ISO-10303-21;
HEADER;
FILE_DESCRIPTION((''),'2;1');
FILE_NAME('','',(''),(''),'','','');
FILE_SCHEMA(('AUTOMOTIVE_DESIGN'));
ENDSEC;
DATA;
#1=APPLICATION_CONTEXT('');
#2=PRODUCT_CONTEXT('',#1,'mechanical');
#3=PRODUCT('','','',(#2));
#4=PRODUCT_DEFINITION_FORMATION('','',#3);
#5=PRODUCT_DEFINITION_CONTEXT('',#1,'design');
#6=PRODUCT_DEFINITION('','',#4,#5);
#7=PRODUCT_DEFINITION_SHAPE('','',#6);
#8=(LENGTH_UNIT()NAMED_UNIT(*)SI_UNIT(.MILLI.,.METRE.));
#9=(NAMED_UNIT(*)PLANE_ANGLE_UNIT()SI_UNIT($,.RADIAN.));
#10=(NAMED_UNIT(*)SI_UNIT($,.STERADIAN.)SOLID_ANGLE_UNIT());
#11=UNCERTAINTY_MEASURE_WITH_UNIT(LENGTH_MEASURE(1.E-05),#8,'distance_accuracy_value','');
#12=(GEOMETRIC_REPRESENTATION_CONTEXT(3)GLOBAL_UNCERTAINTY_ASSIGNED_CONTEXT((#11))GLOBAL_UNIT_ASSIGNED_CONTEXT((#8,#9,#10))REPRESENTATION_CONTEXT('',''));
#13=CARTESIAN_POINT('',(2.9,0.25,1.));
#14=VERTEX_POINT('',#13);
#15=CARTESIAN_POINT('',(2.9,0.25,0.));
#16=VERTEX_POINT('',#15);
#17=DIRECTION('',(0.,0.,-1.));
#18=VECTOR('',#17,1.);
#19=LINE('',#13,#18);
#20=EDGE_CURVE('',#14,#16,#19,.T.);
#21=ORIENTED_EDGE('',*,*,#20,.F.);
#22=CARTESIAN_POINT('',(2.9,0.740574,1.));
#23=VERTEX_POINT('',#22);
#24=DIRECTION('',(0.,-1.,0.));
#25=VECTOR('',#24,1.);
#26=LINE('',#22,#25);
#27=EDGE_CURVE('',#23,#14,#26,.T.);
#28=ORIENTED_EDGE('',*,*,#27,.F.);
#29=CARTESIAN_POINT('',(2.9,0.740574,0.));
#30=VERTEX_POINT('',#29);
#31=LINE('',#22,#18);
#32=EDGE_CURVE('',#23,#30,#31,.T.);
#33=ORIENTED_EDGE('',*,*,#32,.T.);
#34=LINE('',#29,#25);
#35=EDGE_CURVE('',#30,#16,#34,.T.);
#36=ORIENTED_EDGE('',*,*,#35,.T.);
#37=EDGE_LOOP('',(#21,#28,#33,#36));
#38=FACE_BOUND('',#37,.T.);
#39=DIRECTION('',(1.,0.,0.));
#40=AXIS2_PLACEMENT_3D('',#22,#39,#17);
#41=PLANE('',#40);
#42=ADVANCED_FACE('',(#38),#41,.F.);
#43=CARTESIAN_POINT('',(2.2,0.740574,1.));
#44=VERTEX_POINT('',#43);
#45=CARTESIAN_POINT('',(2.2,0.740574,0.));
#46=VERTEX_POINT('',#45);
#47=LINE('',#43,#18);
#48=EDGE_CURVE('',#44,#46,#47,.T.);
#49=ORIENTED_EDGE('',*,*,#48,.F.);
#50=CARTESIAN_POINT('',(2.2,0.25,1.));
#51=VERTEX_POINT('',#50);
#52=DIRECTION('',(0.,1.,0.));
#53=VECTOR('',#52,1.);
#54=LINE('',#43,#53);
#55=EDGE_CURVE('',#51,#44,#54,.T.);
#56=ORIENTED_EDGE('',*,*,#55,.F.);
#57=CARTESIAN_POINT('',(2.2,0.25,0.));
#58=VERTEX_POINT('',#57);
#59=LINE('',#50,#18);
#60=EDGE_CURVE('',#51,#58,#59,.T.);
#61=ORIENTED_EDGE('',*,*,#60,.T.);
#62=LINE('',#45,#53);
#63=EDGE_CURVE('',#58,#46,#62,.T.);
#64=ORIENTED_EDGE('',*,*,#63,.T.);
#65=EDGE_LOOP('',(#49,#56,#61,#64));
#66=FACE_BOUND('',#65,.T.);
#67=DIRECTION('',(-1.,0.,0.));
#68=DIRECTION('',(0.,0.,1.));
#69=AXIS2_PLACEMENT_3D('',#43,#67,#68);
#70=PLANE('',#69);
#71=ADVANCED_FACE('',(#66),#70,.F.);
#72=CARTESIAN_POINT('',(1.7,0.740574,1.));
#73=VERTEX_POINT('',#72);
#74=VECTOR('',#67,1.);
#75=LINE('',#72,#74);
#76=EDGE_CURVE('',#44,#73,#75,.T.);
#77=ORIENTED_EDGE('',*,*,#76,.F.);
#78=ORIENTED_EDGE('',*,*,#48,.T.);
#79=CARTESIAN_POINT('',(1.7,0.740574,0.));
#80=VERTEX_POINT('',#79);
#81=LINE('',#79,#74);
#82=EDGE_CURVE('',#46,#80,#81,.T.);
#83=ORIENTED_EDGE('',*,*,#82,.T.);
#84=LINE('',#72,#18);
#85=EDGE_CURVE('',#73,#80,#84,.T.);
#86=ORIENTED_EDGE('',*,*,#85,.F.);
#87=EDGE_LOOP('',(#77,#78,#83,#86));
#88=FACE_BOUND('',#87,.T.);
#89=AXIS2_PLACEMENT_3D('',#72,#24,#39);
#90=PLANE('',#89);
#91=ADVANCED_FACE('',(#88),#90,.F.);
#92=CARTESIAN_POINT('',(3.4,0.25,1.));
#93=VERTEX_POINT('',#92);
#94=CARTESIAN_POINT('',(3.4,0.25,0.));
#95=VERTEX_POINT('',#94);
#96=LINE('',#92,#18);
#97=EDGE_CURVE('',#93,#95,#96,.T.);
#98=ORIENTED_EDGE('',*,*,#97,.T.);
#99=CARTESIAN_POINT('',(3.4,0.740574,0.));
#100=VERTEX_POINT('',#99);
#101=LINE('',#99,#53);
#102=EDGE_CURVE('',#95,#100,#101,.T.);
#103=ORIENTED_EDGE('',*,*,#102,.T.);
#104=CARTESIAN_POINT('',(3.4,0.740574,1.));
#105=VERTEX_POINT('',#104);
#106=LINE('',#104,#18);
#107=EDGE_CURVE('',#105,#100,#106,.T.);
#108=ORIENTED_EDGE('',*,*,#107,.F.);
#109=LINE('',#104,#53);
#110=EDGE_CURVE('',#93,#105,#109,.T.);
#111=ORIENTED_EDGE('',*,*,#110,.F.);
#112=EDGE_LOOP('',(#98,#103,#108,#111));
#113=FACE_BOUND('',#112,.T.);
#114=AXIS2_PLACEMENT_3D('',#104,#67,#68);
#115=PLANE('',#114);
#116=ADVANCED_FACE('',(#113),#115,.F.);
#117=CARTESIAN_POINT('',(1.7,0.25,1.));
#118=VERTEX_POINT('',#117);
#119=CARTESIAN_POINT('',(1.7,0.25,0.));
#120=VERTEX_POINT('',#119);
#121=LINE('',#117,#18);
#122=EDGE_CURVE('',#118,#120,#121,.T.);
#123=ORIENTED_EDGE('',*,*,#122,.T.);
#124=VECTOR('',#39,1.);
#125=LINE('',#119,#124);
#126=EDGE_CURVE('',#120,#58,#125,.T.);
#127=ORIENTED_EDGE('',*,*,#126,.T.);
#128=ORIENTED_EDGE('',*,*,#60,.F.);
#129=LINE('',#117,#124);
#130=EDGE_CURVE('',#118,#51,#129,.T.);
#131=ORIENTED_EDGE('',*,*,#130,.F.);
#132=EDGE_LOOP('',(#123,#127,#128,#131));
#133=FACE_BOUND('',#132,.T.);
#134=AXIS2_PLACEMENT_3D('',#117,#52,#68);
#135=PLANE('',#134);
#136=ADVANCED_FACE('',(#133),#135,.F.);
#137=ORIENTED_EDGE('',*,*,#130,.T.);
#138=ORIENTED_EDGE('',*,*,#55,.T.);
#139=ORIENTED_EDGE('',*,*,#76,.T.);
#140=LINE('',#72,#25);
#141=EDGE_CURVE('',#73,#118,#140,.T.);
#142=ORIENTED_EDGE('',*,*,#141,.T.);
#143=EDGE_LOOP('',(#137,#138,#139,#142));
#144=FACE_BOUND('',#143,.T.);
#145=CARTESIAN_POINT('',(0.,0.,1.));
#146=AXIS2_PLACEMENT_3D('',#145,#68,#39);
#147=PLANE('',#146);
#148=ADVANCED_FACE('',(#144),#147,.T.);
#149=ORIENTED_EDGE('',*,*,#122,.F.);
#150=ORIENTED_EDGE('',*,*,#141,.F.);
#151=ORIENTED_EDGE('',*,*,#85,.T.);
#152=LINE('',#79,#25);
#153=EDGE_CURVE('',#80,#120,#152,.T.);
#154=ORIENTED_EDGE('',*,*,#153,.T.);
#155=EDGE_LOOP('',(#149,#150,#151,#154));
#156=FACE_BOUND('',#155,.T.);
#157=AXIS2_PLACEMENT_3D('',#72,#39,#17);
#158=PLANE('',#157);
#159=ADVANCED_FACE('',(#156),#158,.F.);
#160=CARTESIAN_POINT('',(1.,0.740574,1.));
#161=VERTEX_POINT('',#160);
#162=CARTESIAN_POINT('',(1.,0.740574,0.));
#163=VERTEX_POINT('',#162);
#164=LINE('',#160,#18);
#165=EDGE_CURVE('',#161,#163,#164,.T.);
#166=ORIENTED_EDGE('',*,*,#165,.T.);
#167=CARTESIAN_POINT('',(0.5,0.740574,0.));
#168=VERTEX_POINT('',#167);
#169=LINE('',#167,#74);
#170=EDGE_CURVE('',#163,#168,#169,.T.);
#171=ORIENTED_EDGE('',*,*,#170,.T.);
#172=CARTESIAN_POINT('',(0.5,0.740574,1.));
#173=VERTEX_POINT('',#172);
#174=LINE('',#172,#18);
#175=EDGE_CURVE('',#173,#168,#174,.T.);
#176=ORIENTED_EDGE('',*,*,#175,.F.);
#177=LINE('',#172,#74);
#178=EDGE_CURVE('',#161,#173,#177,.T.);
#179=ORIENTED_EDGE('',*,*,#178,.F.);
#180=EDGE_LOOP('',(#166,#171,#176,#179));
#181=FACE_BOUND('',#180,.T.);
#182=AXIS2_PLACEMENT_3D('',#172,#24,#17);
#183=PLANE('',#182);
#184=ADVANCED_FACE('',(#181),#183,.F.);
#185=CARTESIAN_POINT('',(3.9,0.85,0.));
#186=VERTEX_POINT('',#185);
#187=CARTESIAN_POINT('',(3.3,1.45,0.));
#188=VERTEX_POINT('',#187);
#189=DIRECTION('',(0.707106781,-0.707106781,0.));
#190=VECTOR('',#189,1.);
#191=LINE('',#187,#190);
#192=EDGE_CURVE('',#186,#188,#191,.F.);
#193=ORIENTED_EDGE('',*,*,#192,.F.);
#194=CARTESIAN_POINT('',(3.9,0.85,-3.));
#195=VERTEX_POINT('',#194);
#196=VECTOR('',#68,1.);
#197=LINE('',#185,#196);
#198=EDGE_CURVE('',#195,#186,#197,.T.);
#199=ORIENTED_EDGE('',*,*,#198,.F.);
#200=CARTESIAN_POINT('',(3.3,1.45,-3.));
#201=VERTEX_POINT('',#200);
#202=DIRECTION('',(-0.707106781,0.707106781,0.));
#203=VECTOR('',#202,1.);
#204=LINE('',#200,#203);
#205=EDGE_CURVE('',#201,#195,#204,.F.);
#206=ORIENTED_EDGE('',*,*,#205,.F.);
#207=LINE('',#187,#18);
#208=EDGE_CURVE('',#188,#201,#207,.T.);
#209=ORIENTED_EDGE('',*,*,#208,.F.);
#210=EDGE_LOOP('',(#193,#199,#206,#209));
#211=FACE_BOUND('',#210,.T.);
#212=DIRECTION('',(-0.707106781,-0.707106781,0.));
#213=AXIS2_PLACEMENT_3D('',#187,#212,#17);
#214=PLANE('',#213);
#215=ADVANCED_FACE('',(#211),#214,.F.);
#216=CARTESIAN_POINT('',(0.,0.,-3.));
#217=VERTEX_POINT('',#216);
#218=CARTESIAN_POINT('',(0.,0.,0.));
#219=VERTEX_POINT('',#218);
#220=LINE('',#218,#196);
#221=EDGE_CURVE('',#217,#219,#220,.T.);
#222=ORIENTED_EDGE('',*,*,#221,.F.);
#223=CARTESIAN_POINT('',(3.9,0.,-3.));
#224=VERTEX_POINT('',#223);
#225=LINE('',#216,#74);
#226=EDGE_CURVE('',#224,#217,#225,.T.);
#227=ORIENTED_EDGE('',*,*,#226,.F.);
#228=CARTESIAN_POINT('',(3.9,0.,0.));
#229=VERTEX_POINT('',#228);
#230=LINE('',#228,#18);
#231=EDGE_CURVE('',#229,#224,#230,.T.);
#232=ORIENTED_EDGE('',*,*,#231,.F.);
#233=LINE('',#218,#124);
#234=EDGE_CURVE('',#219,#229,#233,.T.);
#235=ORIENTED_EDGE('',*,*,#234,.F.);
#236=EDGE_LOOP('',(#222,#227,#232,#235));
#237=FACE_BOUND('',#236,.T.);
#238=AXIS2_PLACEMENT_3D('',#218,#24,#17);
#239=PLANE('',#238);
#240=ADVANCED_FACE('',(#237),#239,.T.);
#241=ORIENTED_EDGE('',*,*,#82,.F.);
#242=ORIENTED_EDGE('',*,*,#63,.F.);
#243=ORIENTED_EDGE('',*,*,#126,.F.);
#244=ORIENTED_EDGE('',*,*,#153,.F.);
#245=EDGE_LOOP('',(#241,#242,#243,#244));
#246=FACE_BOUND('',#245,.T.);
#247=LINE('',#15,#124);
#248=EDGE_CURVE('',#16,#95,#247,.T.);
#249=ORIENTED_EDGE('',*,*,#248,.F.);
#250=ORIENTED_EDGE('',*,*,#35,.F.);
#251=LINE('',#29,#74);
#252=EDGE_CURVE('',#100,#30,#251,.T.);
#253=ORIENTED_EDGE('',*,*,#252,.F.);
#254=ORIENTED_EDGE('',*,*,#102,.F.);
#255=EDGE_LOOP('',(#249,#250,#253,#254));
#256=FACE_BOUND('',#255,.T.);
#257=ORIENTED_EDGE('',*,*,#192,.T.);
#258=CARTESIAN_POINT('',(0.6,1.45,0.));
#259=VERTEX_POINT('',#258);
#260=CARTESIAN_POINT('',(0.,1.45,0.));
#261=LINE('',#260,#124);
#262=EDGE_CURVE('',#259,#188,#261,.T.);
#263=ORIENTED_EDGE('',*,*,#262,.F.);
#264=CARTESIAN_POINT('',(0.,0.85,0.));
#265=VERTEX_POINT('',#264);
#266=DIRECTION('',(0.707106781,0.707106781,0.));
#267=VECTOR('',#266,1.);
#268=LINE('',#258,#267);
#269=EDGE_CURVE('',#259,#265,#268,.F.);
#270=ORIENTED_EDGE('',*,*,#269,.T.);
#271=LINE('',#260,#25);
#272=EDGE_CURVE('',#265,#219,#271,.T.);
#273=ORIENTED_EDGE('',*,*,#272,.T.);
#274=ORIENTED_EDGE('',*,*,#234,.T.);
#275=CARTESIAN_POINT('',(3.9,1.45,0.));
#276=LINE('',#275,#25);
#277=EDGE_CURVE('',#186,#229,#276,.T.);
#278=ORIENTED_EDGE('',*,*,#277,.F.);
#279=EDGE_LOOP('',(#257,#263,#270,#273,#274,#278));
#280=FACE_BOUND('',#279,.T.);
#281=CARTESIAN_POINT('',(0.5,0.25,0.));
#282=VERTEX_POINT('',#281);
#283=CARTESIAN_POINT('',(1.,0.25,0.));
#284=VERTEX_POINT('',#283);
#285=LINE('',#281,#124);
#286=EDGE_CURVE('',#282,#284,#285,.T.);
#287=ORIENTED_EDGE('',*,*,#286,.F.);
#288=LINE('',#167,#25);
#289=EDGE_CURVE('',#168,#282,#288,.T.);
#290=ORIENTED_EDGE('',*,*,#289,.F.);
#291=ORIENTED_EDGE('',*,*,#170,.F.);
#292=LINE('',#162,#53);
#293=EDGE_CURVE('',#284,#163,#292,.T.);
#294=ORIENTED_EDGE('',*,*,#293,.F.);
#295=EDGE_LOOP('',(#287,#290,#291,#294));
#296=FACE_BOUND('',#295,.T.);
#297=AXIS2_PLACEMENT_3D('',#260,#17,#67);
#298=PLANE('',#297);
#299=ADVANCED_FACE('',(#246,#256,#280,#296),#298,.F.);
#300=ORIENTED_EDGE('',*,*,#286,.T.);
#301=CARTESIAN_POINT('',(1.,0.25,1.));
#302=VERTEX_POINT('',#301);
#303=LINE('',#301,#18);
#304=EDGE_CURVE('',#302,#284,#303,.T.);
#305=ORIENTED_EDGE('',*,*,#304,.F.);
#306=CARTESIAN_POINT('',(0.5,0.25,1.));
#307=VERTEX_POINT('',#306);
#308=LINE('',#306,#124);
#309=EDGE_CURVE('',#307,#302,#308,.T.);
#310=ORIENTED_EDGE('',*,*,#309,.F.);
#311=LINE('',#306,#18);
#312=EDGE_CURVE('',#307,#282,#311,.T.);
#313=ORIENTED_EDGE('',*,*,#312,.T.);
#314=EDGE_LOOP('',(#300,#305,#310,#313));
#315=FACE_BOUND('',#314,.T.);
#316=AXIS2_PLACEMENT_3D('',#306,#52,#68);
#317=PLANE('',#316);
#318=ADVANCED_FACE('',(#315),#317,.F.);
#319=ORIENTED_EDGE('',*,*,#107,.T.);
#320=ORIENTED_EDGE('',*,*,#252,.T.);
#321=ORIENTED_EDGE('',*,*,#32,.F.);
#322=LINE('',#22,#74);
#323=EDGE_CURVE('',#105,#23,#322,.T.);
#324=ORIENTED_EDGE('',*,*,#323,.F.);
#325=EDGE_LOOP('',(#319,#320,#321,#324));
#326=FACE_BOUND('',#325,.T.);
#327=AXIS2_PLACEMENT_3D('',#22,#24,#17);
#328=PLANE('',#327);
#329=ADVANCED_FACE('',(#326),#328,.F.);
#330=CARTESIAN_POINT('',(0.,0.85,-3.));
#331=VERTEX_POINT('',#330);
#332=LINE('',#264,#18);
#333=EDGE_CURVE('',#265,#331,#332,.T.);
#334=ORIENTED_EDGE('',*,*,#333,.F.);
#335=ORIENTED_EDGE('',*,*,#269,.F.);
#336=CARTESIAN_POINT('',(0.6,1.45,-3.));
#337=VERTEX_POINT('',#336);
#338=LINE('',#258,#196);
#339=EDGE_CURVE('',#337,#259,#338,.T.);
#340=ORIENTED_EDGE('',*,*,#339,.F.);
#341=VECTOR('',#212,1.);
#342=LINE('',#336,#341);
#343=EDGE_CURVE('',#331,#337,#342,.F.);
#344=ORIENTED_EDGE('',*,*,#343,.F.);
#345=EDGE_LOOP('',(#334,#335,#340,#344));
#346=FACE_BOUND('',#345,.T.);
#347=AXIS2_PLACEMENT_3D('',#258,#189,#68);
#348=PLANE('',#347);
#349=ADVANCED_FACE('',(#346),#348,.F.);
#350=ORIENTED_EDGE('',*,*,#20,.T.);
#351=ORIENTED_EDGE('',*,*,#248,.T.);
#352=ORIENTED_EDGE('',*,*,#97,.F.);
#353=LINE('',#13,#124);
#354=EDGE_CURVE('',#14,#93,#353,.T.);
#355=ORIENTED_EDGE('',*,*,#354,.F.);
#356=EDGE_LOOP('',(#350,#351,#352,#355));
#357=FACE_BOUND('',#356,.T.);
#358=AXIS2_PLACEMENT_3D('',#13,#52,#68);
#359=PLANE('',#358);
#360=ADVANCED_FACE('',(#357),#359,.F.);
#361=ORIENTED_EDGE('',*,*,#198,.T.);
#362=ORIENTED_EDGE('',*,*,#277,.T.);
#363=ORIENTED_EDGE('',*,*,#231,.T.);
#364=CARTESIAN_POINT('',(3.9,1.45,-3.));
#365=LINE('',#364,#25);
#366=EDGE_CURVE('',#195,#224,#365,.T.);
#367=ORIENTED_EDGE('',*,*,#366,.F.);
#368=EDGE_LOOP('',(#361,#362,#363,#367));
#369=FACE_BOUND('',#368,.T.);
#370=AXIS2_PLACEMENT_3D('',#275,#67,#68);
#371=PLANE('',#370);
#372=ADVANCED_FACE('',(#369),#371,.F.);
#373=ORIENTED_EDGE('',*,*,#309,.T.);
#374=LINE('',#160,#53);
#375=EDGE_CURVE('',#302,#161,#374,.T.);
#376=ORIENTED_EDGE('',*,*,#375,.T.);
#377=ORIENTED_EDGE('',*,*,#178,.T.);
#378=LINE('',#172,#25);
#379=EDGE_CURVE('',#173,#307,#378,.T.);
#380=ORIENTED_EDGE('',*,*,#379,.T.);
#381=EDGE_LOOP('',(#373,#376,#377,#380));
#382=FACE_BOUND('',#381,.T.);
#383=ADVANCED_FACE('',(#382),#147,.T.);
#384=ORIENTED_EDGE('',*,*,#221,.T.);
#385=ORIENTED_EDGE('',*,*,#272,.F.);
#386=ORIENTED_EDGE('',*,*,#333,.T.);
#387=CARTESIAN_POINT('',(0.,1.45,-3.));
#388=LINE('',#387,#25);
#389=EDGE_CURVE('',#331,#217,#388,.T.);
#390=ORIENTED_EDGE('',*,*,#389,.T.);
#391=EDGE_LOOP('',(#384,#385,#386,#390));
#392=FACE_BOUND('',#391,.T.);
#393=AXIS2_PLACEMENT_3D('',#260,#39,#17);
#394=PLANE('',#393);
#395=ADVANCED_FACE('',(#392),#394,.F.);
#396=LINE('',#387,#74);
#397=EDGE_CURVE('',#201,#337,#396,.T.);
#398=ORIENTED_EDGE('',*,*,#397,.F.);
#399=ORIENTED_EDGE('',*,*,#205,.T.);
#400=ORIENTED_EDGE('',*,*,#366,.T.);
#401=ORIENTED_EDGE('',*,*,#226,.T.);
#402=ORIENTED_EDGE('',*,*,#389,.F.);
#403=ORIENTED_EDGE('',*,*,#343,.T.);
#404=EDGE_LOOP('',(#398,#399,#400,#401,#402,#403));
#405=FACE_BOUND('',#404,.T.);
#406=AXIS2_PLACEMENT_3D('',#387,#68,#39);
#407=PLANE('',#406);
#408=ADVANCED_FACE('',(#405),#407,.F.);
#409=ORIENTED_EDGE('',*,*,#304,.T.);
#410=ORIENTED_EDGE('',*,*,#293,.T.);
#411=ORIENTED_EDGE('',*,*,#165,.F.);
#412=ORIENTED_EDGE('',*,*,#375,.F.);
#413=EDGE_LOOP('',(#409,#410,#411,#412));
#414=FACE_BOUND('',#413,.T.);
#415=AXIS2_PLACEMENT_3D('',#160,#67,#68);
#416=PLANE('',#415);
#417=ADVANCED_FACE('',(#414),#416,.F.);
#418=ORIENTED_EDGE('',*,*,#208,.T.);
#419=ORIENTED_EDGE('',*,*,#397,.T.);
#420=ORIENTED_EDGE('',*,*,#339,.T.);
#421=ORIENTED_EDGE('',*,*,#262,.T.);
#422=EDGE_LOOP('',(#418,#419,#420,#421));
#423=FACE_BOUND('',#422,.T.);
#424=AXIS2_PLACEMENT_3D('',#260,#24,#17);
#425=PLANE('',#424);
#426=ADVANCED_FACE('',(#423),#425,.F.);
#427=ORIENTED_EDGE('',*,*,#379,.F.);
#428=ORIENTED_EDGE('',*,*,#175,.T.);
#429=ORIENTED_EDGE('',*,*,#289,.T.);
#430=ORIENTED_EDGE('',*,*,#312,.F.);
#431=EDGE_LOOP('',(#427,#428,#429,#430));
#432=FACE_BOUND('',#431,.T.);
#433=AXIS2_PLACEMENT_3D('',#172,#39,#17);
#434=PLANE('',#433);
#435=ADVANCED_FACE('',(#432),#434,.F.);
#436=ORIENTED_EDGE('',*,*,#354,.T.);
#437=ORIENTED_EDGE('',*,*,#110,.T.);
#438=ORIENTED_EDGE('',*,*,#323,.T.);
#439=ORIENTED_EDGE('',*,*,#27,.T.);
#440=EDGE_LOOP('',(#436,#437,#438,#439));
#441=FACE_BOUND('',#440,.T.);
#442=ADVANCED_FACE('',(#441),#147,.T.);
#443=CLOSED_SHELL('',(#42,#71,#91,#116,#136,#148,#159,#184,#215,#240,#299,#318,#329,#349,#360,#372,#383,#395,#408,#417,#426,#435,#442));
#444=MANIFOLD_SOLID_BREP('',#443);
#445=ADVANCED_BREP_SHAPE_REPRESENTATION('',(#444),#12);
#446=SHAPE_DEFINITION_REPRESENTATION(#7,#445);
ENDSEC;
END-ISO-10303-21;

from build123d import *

# Parameters (mm, degrees)
SKETCH1_W           = 3.9
SKETCH1_H           = 3
BOSS_EXTRUDE1_DEPTH = 1.45
CHAMFER1_SIZE       = 0.6
SKETCH2_W           = 0.5
SKETCH2_H           = 0.490574161
BOSS_EXTRUDE2_DEPTH = 1


with BuildPart() as part:
    # Sketch1 → Boss-Extrude1 (new body)
    with BuildSketch(Plane(origin=(0, 0, 0), x_dir=(1, 0, 0), z_dir=(0, 1, 0))):
        with Locations((1.95, 1.5)):
            Rectangle(SKETCH1_W, SKETCH1_H)
    extrude(amount=BOSS_EXTRUDE1_DEPTH)

    # Chamfer1
    chamfer1_edges = [part.edges().sort_by_distance(p)[0] for p in [
        (3.9, 1.45, -1.5),
        (0, 1.45, -1.5),
    ]]
    chamfer(chamfer1_edges, length=CHAMFER1_SIZE)

    # Sketch2 → Boss-Extrude2 (add)
    with BuildSketch(Plane.XY):
        with Locations((0.75, 0.495287081)):
            Rectangle(SKETCH2_W, SKETCH2_H)
        with Locations((1.95, 0.495287081)):
            Rectangle(SKETCH2_W, SKETCH2_H)
        with Locations((3.15, 0.495287081)):
            Rectangle(SKETCH2_W, SKETCH2_H)
    extrude(amount=BOSS_EXTRUDE2_DEPTH)


solid = part.part
